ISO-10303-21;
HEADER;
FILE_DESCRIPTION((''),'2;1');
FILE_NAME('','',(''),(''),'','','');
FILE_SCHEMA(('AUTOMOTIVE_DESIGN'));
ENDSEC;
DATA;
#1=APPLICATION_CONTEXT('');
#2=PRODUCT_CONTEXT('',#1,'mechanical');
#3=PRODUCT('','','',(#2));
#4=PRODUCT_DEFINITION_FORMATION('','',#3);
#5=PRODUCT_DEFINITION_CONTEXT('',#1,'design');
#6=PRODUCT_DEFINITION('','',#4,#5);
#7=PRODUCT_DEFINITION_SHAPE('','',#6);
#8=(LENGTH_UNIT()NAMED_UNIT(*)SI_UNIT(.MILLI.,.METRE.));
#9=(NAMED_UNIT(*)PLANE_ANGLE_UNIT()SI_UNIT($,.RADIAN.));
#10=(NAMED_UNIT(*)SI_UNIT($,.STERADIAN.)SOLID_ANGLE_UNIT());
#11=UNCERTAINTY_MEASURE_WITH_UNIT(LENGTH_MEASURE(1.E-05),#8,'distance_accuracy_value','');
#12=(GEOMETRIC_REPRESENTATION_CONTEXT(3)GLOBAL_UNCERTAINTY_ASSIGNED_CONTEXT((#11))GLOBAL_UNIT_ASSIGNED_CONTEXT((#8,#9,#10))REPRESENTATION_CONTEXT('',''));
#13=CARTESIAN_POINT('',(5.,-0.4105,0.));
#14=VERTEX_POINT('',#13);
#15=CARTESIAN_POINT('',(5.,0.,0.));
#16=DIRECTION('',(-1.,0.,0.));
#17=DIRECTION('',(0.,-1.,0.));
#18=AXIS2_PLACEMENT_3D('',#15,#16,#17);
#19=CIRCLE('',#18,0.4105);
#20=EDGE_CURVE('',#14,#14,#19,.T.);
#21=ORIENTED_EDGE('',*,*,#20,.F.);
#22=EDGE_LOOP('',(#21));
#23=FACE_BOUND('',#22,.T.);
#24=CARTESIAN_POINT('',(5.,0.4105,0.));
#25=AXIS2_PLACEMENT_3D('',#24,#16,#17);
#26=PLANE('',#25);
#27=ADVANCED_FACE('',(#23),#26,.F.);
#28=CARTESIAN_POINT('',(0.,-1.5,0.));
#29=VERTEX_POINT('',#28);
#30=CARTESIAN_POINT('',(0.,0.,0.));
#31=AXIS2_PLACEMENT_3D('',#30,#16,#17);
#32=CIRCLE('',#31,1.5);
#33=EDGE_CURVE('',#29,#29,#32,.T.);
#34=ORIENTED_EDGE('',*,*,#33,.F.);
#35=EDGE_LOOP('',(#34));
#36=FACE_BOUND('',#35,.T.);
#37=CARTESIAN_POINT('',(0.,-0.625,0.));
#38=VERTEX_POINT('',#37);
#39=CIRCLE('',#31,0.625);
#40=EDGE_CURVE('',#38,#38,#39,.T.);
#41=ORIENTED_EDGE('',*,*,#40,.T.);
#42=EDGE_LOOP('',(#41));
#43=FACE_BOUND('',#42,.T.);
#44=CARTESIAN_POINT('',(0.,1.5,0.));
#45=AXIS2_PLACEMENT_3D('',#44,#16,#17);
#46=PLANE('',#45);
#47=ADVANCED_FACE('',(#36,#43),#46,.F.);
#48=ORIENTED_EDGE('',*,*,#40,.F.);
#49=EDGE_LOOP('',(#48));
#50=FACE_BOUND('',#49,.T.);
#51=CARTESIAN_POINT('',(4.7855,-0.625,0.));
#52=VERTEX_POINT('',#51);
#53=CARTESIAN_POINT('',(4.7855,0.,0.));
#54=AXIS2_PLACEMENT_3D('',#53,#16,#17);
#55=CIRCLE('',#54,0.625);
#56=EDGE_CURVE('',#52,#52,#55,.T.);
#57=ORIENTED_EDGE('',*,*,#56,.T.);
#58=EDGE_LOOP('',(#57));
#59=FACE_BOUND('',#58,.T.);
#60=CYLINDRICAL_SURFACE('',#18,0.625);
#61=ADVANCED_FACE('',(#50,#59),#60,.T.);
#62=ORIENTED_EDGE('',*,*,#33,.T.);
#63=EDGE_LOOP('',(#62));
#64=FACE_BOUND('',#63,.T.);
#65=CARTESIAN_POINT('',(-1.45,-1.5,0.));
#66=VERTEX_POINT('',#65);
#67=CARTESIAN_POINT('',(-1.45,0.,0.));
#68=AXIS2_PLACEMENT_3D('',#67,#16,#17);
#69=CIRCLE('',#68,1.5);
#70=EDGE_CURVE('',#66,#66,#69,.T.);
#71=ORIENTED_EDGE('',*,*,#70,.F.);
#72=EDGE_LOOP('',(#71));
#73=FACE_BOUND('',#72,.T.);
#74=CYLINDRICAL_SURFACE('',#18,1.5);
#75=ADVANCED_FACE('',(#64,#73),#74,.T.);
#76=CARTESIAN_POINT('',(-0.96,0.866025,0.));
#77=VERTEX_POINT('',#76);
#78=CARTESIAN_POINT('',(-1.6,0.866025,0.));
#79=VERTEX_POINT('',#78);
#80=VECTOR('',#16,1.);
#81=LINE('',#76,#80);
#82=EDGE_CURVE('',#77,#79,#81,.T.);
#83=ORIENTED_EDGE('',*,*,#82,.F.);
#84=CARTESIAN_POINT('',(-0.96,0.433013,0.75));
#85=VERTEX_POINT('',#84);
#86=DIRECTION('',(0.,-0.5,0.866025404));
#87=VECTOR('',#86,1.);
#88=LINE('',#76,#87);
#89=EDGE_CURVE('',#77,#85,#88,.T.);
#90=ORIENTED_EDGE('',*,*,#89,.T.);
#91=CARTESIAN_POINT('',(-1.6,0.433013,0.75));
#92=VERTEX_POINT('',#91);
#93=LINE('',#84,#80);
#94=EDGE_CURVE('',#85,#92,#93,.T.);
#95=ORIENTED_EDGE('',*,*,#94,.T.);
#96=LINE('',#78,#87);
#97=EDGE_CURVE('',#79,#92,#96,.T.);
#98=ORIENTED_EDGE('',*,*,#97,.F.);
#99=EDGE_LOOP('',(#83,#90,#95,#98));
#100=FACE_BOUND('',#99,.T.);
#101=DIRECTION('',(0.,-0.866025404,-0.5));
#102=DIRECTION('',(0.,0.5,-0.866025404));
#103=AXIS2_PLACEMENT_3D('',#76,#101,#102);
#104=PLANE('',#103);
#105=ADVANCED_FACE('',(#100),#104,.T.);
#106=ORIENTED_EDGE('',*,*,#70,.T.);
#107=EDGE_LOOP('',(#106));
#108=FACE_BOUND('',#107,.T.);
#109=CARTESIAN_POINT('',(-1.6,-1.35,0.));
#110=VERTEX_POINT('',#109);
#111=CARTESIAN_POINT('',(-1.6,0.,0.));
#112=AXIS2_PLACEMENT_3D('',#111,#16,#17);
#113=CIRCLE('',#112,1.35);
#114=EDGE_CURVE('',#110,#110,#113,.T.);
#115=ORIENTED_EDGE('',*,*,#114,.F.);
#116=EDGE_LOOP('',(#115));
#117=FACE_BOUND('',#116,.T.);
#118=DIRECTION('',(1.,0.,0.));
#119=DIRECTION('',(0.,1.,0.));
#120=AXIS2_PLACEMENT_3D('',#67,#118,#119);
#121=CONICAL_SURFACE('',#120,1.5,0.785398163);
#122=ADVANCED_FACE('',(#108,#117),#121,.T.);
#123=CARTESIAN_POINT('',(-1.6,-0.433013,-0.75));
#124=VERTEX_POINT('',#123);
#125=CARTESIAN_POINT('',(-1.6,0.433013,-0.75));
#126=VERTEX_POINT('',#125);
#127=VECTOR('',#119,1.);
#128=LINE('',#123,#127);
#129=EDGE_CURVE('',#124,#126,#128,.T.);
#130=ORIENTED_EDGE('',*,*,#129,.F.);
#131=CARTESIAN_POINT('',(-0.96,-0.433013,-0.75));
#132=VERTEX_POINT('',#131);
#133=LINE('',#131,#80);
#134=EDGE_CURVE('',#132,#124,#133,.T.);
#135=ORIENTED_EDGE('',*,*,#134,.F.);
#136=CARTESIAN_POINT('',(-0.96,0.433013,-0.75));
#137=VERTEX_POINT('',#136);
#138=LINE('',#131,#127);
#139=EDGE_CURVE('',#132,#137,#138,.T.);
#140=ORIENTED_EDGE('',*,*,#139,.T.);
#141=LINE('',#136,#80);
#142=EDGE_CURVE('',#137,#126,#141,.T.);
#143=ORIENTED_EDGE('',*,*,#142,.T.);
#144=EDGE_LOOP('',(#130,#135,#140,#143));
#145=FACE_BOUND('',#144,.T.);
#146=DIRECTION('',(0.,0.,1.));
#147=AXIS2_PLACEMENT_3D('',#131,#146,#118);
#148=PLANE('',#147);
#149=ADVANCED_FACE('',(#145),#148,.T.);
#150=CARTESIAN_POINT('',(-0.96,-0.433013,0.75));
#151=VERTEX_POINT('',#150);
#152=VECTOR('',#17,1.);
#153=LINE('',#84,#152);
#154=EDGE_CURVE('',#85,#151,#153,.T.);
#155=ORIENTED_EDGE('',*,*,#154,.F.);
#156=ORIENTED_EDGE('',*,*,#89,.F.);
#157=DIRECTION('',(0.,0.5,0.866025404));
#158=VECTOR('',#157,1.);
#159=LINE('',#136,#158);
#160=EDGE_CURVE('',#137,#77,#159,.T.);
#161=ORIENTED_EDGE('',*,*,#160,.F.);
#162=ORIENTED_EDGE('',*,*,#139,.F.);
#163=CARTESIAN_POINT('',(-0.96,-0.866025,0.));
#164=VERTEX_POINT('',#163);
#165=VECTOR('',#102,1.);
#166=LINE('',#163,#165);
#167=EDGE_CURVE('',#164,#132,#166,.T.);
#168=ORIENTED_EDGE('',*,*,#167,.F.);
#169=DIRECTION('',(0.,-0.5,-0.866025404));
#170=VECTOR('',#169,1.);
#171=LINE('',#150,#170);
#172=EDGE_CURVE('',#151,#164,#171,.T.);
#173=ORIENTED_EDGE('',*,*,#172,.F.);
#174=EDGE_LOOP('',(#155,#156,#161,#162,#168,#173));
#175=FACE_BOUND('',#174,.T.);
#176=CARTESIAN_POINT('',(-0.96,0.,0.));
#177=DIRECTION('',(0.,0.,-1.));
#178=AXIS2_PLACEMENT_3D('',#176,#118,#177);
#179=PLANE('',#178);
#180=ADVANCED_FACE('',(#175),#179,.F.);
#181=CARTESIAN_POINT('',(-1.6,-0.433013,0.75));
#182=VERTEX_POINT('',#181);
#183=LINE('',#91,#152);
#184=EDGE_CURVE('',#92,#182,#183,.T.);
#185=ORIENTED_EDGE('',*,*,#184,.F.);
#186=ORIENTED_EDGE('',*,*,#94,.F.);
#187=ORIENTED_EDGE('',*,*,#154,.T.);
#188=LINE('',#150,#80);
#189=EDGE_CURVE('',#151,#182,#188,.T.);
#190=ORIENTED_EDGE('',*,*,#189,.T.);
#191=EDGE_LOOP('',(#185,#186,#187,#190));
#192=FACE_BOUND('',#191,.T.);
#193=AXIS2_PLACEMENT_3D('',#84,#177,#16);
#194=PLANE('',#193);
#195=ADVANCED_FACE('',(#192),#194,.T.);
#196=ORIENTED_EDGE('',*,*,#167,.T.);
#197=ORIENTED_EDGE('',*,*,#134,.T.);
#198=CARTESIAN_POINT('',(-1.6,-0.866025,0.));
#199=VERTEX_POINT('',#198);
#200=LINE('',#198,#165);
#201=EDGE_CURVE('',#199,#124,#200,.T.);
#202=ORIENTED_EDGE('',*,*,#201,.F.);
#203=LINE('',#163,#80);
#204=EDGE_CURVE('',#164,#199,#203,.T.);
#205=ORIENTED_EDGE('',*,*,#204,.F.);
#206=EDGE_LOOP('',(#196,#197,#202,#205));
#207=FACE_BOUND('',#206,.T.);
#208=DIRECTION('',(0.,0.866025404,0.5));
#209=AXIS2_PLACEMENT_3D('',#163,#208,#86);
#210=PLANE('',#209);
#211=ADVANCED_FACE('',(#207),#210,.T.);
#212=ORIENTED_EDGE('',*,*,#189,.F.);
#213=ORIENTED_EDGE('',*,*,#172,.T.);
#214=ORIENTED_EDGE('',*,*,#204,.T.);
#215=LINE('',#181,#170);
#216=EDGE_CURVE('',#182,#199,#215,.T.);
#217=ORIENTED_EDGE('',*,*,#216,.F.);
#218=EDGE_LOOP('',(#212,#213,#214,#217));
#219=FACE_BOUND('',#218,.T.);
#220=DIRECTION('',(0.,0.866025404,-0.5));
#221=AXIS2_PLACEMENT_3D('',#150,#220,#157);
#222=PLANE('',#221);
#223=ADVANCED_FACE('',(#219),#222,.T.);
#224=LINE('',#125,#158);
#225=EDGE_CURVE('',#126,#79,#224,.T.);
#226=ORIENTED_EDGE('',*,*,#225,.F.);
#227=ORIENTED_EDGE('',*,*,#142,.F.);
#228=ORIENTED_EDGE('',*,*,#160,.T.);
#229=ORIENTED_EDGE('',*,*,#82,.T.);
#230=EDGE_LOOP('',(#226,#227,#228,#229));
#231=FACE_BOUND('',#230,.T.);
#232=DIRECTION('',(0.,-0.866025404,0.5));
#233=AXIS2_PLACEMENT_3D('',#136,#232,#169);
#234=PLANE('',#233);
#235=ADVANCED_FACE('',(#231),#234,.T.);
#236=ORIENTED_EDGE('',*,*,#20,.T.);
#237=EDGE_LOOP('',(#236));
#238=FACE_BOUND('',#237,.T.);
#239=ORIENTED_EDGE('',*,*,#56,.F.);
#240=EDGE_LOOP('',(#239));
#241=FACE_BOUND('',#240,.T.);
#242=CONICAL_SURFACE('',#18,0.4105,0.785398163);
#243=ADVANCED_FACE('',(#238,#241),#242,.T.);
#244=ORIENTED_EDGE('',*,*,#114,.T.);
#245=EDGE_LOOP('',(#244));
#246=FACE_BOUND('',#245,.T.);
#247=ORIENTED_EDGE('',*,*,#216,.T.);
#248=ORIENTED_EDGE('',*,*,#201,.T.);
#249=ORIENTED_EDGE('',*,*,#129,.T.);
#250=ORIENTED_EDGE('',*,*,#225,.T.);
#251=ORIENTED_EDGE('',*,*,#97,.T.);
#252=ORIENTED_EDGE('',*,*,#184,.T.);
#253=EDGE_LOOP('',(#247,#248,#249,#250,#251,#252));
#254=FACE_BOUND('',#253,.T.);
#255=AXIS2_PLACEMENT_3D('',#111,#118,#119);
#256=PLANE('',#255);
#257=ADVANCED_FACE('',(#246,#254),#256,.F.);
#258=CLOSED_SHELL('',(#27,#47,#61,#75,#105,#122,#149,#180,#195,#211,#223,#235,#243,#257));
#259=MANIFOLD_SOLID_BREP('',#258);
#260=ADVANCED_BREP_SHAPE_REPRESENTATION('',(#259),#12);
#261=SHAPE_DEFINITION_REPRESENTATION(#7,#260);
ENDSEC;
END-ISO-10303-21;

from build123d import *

# Parameters (mm, degrees)
CUT_EXTRUDE1_DEPTH = 0.64


with BuildPart() as part:
    # Sketch1 → Revolve1 (revolve)
    with BuildSketch(Plane.XY):
        Polygon((-1.6, 0), (-1.6, 1.35), (-1.45, 1.5), (0, 1.5), (0, 0.625), (4.7855, 0.625), (5, 0.4105), (5, 0), align=None)
    revolve(axis=Axis((5, 0, 0), (-1, 0, 0)))

    # Sketch2 → Cut-Extrude1 (cut)
    with BuildSketch(Plane(origin=(-1.6, 0, 0), x_dir=(0, 0, -1), z_dir=(1, 0, 0))):
        Polygon((-0.75, -0.433012702), (0, -0.866025404), (0.75, -0.433012702), (0.75, 0.433012702), (0, 0.866025404), (-0.75, 0.433012702), align=None)
    extrude(amount=CUT_EXTRUDE1_DEPTH, mode=Mode.SUBTRACT)


solid = part.part
